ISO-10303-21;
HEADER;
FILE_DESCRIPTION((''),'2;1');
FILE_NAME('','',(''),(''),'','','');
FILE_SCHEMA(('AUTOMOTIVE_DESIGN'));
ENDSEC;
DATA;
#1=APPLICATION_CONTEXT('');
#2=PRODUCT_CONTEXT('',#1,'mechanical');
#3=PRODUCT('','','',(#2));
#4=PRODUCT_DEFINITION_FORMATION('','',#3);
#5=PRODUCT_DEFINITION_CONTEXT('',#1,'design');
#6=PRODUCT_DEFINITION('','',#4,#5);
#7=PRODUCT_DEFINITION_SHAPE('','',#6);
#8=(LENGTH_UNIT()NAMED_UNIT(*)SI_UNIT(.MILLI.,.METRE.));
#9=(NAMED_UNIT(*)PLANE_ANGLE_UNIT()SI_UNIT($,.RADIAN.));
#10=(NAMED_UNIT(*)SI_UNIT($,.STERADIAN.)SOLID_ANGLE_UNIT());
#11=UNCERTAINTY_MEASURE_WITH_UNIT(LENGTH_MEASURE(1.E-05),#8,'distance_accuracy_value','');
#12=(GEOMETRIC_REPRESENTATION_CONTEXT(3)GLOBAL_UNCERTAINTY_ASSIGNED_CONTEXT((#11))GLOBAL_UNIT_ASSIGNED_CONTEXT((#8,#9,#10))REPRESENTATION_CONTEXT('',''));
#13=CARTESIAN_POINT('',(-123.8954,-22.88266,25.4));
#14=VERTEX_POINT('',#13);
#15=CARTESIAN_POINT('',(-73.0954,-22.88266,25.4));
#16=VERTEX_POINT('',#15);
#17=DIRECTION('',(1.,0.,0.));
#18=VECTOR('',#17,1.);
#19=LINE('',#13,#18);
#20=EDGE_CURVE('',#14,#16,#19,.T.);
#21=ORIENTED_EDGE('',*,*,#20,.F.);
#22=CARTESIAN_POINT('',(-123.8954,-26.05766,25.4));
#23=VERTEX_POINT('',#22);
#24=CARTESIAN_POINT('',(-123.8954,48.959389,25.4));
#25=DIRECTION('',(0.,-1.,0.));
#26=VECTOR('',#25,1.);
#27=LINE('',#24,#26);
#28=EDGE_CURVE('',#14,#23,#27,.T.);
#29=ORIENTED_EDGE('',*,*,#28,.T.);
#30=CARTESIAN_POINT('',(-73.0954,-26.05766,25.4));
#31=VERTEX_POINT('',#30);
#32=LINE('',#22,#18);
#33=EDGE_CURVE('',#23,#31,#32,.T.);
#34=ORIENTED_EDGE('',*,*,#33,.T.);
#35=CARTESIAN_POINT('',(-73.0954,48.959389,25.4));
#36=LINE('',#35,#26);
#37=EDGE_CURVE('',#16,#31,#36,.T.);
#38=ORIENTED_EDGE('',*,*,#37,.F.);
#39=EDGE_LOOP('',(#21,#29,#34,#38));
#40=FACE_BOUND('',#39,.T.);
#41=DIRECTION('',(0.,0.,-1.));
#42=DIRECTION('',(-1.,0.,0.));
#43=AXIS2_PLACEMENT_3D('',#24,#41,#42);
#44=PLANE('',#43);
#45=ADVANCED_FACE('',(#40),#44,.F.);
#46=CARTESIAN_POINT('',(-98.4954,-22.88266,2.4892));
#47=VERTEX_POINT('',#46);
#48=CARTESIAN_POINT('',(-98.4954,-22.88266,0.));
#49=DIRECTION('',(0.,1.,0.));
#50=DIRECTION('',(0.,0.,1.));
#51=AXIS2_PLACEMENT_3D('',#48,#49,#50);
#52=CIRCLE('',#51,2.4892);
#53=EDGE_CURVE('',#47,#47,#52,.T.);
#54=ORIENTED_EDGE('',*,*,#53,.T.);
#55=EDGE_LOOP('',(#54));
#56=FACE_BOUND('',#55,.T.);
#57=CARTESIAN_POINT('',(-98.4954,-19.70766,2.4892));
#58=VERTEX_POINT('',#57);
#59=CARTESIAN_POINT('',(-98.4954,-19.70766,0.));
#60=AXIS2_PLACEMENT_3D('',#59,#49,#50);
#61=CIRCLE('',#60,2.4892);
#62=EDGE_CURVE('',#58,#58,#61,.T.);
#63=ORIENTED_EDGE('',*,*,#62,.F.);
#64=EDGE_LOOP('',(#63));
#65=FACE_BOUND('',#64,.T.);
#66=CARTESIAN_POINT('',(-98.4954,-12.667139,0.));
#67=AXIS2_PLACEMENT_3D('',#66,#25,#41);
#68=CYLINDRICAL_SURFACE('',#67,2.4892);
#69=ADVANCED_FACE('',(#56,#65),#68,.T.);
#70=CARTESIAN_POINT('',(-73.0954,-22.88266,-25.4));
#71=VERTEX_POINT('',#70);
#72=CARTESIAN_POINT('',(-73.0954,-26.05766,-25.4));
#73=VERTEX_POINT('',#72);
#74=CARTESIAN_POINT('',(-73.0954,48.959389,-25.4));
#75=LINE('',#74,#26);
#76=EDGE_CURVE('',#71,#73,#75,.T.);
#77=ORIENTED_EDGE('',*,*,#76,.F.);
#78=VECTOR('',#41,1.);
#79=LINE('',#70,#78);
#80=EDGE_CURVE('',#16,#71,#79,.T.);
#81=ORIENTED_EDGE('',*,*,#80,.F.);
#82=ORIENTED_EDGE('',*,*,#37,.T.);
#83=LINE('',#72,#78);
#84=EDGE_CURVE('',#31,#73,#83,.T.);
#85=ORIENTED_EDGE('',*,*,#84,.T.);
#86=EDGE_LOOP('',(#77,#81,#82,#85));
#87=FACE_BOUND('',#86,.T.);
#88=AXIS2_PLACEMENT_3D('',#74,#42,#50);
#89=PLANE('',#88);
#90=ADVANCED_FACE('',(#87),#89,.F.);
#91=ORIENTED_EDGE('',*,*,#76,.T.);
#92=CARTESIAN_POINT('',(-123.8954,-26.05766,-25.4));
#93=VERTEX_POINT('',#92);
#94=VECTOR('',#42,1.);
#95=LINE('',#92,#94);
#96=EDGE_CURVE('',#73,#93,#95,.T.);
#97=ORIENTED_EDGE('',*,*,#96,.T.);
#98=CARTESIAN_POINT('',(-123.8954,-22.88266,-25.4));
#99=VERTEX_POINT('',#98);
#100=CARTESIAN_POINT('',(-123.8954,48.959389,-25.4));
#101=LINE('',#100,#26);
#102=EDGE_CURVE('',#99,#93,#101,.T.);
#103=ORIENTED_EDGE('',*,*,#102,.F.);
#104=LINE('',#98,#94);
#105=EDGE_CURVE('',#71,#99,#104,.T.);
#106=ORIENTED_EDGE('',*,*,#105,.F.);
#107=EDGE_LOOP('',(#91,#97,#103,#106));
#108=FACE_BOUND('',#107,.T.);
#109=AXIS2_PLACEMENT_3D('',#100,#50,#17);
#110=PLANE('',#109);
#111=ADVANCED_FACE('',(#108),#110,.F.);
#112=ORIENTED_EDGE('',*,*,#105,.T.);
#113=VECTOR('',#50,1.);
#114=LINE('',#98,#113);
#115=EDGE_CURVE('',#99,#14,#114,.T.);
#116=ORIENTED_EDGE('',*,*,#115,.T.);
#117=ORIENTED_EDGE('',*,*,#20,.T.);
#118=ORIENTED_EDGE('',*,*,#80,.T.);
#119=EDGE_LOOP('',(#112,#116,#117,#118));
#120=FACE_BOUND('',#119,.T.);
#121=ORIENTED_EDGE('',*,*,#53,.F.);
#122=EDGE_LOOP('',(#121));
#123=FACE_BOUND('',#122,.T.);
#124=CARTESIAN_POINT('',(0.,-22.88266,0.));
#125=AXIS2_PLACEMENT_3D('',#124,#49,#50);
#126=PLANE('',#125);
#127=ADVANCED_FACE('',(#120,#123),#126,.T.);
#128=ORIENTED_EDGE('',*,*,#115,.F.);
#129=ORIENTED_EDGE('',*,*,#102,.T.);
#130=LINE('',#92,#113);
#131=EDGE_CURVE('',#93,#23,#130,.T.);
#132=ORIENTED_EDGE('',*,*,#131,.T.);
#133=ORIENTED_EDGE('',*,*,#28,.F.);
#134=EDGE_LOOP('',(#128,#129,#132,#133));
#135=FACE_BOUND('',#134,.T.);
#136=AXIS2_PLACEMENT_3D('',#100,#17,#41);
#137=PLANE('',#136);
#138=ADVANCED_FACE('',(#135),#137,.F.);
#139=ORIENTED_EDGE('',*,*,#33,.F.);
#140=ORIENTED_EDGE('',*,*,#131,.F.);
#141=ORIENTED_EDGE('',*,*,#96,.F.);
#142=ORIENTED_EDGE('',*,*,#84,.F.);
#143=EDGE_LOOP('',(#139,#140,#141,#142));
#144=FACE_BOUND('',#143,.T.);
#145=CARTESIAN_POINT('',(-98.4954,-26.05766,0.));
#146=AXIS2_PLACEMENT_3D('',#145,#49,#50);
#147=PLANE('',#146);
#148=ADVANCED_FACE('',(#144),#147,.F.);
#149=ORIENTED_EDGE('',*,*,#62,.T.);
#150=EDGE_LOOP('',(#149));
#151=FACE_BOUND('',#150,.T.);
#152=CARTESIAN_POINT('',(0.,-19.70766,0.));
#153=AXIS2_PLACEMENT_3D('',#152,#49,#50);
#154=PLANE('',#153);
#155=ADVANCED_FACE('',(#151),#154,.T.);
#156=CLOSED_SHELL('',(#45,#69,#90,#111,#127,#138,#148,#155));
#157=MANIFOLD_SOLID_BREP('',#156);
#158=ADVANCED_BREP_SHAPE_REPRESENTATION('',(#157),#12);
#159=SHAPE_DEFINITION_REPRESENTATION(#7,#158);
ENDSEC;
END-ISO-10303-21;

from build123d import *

# Parameters (mm, degrees)
SKETCH4_R           = 2.4892
BOSS_EXTRUDE1_DEPTH = 6.35
SKETCH6_W           = 50.8
SKETCH6_H           = 50.8
BOSS_EXTRUDE2_DEPTH = 3.175


with BuildPart() as part:
    # Sketch4 → Boss-Extrude1 (new body)
    with BuildSketch(Plane(origin=(0, -26.057660102, 0), x_dir=(1, 0, 0), z_dir=(0, 1, 0))):
        with Locations((-98.4954, 0)):
            Circle(SKETCH4_R)
    extrude(amount=BOSS_EXTRUDE1_DEPTH)

    # Sketch6 → Boss-Extrude2 (add)
    with BuildSketch(Plane(origin=(0, -26.057660102, 0), x_dir=(1, 0, 0), z_dir=(0, 1, 0))):
        with Locations((-98.4954, 0)):
            Rectangle(SKETCH6_W, SKETCH6_H)
    extrude(amount=BOSS_EXTRUDE2_DEPTH)


solid = part.part
